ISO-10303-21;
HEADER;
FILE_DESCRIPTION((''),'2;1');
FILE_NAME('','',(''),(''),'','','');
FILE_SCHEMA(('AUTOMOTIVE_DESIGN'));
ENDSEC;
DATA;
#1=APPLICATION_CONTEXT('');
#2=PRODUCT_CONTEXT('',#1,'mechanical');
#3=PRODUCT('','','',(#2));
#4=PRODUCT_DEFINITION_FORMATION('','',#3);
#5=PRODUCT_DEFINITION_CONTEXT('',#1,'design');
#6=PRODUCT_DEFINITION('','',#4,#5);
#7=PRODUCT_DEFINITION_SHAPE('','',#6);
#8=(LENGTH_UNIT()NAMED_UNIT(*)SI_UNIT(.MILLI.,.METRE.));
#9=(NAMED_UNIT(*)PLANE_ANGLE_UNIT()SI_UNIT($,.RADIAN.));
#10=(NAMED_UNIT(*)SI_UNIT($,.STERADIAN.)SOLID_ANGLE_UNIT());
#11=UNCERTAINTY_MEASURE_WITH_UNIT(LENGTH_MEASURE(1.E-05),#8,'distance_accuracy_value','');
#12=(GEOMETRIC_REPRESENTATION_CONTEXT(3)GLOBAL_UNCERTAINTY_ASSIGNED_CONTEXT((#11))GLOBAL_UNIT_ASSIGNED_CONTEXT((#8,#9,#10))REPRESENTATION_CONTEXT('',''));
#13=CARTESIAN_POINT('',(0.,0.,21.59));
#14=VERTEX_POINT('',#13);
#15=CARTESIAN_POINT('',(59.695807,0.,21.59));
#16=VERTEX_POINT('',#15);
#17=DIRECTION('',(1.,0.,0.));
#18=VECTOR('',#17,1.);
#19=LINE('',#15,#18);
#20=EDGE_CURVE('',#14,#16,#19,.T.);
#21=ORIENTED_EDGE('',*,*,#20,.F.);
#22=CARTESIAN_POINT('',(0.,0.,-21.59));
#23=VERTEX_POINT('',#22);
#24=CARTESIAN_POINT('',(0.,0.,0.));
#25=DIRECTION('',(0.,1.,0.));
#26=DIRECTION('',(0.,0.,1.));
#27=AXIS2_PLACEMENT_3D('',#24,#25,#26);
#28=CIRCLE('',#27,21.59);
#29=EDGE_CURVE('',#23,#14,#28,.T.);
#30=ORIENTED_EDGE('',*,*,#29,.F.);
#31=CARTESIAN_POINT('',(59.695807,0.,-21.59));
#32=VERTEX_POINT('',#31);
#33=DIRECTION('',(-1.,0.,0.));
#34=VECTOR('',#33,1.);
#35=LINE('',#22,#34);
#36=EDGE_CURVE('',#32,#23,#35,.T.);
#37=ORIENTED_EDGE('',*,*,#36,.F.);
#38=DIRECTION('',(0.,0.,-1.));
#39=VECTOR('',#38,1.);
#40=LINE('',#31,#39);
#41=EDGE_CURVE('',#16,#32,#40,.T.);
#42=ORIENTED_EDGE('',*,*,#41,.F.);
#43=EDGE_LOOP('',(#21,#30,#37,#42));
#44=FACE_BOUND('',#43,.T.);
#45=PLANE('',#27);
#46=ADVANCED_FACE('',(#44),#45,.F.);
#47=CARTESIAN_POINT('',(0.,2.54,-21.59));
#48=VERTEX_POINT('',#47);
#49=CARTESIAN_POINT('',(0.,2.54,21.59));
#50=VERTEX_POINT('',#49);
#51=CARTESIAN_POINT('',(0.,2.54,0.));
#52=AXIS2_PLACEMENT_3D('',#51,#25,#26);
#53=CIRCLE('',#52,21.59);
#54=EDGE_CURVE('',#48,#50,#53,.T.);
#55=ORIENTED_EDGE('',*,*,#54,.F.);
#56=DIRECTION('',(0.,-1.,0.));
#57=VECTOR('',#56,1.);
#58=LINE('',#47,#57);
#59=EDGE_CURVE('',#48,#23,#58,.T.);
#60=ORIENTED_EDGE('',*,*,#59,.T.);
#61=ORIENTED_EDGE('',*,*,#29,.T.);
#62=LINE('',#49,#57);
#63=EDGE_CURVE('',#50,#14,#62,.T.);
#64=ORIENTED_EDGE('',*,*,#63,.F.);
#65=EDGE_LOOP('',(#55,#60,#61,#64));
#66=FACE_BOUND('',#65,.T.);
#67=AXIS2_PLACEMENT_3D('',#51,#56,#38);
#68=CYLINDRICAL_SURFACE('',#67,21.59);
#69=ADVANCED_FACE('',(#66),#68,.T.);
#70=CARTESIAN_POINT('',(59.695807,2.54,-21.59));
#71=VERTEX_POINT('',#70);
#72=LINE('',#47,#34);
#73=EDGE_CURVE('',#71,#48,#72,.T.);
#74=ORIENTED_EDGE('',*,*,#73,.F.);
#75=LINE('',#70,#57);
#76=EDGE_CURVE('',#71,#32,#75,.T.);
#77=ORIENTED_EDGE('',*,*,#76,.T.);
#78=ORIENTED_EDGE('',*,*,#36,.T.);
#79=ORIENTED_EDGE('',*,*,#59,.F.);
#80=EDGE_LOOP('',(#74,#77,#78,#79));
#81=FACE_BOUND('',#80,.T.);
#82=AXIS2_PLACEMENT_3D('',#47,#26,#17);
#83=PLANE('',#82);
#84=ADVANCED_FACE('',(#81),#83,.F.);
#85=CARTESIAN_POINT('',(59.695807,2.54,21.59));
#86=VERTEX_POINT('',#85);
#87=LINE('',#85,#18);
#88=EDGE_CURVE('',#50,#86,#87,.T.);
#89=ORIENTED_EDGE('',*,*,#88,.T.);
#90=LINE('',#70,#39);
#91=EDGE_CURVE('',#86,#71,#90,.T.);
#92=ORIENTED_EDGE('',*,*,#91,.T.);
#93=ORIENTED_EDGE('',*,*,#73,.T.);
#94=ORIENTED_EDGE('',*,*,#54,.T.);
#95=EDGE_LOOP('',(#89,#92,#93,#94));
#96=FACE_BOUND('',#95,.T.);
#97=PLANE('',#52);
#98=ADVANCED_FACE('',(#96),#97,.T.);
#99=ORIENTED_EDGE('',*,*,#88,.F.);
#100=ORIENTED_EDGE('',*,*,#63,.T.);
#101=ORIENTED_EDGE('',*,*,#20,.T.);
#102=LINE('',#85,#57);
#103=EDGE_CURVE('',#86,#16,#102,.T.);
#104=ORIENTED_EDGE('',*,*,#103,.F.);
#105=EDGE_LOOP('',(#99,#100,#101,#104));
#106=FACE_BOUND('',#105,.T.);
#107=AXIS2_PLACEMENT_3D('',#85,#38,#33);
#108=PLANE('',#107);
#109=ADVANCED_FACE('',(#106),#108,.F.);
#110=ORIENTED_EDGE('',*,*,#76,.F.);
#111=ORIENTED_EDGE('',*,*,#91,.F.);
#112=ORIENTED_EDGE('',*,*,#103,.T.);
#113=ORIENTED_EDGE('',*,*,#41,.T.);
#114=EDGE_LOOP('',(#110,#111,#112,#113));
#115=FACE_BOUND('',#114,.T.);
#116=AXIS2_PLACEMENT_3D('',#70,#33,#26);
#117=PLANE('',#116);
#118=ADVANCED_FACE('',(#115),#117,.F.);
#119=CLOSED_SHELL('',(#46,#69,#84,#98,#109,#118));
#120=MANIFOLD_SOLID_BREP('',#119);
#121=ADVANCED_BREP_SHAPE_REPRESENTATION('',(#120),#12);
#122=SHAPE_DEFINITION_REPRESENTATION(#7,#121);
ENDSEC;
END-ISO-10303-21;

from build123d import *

# Parameters (mm, degrees)
BOSS_EXTRUDE1_DEPTH = 2.54


with BuildPart() as part:
    # Sketch2 → Boss-Extrude1 (new body)
    with BuildSketch(Plane(origin=(0, 0, 0), x_dir=(1, 0, 0), z_dir=(0, 1, 0))):
        with BuildLine():
            Line((0, 21.59), (59.695806552, 21.59))
            Line((59.695806552, 21.59), (59.695806552, -21.59))
            Line((59.695806552, -21.59), (0, -21.59))
            ThreePointArc((0, -21.59), (-21.59, 0), (0, 21.59))
        make_face()
    extrude(amount=BOSS_EXTRUDE1_DEPTH)


solid = part.part
